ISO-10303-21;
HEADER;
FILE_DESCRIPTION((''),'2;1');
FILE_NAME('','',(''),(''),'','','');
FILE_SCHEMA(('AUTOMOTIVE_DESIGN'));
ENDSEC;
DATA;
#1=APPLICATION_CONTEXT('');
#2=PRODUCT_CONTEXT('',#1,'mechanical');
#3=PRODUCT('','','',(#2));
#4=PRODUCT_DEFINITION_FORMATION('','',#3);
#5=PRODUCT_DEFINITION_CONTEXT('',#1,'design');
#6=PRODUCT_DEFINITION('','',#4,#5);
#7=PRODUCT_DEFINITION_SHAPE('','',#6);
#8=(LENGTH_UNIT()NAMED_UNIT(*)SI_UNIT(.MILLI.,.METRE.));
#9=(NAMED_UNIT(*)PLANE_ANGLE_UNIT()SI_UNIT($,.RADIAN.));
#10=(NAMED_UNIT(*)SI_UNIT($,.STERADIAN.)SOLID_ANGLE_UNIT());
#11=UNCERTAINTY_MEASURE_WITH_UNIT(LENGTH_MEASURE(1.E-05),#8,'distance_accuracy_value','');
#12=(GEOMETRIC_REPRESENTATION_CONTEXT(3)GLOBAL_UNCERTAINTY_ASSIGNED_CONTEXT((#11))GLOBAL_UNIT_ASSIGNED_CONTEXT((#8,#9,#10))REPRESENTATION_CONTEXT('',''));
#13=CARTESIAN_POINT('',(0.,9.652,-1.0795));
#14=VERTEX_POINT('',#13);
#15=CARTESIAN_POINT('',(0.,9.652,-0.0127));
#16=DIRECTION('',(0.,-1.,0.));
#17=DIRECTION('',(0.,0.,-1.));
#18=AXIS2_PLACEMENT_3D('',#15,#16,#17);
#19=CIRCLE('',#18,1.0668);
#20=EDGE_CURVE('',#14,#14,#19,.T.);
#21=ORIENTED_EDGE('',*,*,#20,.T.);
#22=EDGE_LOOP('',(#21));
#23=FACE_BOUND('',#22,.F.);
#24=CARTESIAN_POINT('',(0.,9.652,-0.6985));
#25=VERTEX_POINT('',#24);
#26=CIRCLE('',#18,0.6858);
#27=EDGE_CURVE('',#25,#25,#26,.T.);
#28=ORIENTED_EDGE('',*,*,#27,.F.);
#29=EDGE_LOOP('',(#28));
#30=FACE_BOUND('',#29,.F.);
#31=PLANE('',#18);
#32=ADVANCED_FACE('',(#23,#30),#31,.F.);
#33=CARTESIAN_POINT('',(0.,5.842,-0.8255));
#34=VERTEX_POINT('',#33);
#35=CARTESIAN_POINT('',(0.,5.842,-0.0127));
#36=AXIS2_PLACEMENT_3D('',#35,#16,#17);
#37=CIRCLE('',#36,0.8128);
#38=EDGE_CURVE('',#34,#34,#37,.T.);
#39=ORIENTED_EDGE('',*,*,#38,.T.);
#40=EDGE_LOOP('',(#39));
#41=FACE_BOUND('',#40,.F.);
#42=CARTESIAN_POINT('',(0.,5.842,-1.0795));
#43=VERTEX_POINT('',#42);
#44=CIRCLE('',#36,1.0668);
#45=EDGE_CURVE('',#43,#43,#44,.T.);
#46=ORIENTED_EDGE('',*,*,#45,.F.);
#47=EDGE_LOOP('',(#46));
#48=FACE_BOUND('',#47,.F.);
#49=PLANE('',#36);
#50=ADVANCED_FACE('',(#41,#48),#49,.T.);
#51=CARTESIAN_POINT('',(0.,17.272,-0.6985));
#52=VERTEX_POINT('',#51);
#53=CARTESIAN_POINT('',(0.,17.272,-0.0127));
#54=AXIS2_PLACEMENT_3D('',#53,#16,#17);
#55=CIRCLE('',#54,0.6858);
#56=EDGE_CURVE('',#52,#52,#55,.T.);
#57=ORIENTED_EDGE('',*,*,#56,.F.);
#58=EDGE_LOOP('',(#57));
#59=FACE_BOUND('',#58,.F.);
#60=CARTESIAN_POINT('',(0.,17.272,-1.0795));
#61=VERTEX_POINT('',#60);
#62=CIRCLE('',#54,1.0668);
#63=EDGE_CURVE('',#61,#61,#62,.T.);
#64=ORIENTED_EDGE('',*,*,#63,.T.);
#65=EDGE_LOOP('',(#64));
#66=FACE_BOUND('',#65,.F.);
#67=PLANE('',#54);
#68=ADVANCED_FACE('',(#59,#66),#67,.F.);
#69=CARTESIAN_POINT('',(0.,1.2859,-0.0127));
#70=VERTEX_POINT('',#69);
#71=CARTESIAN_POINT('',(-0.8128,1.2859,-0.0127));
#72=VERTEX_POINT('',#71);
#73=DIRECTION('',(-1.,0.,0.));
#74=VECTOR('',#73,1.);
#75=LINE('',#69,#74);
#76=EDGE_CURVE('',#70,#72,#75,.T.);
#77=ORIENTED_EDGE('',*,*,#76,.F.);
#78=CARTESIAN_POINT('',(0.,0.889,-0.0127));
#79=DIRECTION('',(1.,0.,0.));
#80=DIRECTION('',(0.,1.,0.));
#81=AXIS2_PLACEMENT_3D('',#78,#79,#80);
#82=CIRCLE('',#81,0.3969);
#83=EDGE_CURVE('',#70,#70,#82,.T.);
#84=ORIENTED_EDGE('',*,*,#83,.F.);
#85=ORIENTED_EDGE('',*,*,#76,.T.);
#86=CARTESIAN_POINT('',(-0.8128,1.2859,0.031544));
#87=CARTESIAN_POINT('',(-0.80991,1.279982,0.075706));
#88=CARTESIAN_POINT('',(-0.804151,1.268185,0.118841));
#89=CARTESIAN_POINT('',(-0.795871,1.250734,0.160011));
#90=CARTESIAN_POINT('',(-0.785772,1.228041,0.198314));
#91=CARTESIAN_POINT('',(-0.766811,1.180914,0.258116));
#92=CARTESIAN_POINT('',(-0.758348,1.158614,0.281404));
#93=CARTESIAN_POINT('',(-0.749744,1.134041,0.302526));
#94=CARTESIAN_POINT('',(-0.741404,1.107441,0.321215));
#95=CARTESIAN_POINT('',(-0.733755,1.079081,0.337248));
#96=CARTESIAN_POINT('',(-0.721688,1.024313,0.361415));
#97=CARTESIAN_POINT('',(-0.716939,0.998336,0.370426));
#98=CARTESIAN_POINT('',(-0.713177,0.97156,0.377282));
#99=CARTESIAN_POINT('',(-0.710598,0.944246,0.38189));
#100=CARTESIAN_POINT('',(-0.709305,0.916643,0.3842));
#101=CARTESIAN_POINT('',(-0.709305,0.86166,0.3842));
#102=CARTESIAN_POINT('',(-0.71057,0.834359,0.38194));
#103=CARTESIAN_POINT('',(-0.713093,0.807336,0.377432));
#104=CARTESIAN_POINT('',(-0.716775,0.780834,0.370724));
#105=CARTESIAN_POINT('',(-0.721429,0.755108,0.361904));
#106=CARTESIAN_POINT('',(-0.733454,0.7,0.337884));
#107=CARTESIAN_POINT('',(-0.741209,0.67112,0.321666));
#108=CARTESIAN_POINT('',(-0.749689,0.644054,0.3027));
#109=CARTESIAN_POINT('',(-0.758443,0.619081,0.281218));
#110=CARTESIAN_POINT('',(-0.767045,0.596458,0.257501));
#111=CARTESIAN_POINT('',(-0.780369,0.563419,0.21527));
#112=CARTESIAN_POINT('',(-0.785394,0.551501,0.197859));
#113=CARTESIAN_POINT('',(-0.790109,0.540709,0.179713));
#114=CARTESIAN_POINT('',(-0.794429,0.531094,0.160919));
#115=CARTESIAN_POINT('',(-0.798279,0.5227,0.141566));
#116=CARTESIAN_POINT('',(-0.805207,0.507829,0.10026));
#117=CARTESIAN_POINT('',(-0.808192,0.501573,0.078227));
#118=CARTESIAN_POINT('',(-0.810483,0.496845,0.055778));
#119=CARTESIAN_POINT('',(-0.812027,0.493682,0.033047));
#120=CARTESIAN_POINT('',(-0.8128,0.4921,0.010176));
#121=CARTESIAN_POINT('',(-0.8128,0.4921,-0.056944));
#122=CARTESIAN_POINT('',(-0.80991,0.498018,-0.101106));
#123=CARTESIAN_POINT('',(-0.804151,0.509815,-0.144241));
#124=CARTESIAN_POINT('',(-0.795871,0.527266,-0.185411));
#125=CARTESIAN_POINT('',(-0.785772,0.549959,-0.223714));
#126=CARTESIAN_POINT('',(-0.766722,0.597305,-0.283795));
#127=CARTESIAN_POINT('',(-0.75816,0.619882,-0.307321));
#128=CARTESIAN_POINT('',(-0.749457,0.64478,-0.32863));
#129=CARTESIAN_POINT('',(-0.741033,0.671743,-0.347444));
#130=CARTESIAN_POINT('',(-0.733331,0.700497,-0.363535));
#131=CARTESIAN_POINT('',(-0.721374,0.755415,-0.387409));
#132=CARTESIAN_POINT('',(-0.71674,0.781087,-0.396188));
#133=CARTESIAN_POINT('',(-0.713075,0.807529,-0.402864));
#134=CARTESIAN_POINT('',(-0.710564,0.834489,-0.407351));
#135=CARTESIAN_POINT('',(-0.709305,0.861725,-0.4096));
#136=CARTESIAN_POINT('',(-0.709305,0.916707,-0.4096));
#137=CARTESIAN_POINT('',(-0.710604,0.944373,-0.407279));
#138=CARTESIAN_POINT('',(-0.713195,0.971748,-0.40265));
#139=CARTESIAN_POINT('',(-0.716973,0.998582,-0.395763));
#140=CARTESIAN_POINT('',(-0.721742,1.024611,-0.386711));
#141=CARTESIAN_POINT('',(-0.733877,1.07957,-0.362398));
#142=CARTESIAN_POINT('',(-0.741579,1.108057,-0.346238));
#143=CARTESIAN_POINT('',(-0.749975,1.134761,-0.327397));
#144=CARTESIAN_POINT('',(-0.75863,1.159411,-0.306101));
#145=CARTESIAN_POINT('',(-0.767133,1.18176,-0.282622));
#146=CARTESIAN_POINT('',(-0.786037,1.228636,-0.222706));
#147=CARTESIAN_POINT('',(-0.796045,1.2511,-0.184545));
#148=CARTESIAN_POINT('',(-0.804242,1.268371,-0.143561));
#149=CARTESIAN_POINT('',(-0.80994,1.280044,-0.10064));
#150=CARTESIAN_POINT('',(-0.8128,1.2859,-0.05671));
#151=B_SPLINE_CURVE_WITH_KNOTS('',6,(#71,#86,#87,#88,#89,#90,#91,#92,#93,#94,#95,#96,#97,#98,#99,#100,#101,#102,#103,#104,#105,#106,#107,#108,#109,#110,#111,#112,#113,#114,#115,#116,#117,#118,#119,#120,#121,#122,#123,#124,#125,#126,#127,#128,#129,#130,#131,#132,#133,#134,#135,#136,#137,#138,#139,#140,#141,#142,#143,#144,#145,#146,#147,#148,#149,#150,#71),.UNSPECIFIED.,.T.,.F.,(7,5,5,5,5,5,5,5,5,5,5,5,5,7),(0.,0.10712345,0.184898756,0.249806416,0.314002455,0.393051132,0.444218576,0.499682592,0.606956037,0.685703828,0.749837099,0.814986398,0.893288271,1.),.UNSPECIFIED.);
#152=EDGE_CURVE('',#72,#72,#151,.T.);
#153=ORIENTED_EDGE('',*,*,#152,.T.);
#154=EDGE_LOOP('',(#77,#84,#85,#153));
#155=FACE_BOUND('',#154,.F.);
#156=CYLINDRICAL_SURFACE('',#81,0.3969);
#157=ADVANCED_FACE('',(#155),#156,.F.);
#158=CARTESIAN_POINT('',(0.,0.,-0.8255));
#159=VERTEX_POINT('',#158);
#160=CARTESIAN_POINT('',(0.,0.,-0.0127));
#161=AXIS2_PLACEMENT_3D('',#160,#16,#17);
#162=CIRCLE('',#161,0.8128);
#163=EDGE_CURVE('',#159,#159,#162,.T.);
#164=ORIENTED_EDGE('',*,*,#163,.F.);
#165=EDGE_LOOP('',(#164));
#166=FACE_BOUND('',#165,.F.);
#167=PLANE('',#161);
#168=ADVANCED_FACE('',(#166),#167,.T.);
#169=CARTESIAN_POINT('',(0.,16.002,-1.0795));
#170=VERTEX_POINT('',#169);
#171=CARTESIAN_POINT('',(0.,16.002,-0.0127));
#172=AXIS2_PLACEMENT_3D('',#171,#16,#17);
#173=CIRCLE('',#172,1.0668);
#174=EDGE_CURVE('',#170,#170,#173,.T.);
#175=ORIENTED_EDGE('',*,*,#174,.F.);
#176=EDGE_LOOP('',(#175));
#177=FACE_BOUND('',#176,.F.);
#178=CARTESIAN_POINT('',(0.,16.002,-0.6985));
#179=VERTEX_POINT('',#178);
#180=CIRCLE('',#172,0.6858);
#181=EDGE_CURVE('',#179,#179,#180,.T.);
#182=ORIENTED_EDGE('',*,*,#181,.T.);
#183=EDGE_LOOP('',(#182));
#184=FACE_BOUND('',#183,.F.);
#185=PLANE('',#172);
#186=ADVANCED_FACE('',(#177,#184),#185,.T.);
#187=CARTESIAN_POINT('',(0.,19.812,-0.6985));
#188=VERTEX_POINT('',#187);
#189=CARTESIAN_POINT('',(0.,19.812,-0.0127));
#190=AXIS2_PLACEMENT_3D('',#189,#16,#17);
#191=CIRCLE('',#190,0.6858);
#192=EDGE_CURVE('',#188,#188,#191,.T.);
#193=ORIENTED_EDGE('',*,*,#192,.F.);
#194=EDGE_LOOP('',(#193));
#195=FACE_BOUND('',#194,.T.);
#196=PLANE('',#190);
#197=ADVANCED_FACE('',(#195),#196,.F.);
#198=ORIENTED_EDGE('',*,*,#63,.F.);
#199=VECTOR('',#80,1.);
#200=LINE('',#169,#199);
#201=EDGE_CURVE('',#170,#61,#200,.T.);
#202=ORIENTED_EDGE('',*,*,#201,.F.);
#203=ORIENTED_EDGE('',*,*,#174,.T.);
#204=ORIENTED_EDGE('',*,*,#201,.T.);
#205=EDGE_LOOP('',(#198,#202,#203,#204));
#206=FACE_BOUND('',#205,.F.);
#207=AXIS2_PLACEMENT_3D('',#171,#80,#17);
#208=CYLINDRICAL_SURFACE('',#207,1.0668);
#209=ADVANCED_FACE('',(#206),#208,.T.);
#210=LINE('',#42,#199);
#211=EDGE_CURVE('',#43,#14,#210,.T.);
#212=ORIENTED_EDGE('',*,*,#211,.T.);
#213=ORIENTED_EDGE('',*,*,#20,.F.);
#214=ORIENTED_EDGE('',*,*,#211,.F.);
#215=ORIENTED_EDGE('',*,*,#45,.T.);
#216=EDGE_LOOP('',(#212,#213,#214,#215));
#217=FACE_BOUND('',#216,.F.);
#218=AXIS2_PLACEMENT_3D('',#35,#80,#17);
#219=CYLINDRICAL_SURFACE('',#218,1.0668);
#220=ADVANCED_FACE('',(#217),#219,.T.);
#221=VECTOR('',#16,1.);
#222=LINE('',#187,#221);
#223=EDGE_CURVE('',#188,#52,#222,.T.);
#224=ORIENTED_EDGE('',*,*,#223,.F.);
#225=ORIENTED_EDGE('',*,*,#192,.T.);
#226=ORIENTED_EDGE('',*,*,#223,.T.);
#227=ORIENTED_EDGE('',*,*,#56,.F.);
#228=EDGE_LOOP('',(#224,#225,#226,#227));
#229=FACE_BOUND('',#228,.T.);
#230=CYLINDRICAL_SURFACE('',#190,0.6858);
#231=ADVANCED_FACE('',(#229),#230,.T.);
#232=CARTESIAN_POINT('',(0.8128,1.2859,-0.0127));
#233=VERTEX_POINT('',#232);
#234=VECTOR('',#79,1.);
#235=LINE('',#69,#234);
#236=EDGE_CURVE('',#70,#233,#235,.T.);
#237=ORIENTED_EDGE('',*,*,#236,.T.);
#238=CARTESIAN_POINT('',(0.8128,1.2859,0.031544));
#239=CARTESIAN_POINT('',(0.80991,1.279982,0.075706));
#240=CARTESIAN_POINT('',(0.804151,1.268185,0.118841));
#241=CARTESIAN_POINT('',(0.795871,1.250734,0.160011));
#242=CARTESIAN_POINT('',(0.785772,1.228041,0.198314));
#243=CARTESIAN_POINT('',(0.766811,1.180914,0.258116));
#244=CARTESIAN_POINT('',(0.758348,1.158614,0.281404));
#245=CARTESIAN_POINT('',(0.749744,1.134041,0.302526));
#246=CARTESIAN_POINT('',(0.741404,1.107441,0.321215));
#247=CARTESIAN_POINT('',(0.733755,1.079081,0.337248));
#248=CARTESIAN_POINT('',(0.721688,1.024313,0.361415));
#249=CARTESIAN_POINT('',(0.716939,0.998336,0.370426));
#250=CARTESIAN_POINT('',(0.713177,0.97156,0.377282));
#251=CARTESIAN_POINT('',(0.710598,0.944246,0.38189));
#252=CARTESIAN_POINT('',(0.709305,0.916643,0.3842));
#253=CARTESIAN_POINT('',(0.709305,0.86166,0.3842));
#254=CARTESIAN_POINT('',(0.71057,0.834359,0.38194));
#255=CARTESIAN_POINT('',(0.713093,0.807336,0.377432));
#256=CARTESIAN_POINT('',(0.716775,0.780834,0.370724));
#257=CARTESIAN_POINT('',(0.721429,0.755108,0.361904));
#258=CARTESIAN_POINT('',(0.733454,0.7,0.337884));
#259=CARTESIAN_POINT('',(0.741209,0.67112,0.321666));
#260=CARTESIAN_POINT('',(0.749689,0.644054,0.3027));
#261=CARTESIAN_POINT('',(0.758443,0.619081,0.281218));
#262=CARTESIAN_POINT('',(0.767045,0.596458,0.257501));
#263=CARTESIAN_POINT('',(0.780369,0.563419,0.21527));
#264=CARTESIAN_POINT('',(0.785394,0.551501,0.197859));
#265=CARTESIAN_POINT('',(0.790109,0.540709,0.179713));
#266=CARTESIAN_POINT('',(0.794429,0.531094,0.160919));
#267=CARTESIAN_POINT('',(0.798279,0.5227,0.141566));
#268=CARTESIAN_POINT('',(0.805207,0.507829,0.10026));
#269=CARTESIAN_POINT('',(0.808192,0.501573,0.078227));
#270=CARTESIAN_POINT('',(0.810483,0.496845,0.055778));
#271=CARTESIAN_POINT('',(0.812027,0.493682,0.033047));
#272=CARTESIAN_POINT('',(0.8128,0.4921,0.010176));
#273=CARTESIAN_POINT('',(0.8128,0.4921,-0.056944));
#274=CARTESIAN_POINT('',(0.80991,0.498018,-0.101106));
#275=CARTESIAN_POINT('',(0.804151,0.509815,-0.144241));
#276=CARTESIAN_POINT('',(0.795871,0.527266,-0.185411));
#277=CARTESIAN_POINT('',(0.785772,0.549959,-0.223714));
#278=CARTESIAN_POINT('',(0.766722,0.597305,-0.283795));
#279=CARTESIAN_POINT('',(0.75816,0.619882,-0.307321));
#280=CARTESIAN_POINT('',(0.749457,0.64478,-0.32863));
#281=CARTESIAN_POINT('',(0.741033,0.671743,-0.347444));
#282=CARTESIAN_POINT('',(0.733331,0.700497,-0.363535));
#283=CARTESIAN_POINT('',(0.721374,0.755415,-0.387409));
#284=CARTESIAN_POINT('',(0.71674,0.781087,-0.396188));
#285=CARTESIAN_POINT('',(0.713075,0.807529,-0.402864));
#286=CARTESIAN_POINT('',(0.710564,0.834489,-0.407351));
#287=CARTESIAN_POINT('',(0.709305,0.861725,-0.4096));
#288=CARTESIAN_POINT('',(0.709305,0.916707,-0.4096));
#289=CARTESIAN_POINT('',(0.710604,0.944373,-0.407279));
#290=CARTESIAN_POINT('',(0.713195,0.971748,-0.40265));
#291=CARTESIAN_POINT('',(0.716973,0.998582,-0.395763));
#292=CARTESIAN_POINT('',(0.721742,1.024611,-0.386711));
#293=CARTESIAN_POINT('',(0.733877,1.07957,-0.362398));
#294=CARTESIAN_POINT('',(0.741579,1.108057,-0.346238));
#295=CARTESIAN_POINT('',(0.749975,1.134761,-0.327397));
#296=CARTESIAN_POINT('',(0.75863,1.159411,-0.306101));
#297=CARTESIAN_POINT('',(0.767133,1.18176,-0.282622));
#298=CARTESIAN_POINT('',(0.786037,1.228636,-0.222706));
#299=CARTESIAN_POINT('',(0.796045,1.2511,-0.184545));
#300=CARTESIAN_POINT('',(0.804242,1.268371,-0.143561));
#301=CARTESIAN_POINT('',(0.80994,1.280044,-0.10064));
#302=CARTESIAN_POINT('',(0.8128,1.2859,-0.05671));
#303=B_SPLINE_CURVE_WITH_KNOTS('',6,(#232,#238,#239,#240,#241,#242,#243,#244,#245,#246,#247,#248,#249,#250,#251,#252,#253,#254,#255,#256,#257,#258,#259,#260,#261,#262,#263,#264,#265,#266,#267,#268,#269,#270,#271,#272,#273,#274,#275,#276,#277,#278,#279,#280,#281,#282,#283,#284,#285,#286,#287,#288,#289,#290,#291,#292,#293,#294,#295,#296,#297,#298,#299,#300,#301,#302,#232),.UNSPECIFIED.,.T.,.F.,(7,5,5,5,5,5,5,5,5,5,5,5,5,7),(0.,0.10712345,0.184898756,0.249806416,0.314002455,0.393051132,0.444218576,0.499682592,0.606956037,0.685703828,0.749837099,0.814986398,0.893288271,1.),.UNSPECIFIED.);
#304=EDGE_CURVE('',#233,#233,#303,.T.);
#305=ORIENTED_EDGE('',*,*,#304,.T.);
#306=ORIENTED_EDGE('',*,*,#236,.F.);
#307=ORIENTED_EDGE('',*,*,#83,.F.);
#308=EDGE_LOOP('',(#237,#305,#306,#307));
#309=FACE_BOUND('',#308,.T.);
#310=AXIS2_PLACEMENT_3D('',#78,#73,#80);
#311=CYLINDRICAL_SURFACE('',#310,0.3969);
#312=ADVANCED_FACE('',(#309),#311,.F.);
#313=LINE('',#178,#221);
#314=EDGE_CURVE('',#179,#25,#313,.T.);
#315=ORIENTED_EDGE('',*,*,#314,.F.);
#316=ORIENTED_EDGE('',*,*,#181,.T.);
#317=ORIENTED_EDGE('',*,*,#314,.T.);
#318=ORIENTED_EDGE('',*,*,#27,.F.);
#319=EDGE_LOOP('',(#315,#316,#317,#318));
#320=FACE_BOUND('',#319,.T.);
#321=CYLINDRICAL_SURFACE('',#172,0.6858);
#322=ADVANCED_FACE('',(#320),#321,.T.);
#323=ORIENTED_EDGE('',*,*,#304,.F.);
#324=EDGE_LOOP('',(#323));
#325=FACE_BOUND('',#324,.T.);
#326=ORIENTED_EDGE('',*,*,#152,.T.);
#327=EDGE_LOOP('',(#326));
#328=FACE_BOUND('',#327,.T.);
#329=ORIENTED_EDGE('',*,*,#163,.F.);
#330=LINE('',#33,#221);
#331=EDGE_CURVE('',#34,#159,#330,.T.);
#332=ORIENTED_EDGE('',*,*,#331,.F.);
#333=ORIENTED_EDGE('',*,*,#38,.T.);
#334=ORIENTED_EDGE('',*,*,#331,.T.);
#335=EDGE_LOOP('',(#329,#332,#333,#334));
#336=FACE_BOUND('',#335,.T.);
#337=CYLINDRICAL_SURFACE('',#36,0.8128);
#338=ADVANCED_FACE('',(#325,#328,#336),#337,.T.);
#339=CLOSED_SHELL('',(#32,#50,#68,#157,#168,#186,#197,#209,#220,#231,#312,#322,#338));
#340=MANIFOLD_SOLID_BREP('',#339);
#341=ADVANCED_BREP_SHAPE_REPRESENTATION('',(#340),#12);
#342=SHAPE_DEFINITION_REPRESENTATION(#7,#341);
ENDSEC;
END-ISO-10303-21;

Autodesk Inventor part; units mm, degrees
ref_plane "YZ Plane" through (0, 0, 0) normal (1, 0, 0) x (0, 1, 0)
ref_plane "XZ Plane" through (0, 0, 0) normal (0, 1, 0) x (-1, 0, 0)
ref_plane "XY Plane" through (0, 0, 0) normal (0, 0, 1) x (1, 0, 0)
sketch "Sketch1" plane through (0, 0, 0) normal (1, 0, 0) x (0, 1, 0)
  line L0 (19.812, -0.0127) -> (0, -0.0127)
  line L1 (5.842, -0.8255) -> (5.842, -1.0795)
  line L2 (0, -0.0127) -> (0, -0.8255)
  line L3 (5.842, -0.8255) -> (0, -0.8255)
  line L4 (5.842, -1.0795) -> (9.652, -1.0795)
  line L5 (5.842, -1.0795) -> (9.652, -1.0795)
  line L6 (16.002, -1.0795) -> (17.272, -1.0795)
  line L7 (9.652, -1.0795) -> (9.652, -0.6985)
  line L8 (19.812, -0.6985) -> (17.272, -0.6985)
  line L9 (16.002, -0.6985) -> (9.652, -0.6985)
  line L10 (17.272, -1.0795) -> (17.272, -0.6985)
  line L11 (16.002, -0.6985) -> (16.002, -1.0795)
  line L12 (19.812, -0.0127) -> (19.812, -0.6985)
  line L13 (16.637, -1.0795) -> (16.637, -0.0127)
  line L14 (16.637, -0.0127) -> (0.889, -0.0127)
  circle A0 centre (0.889, -0.0127) radius 0.3969
  dimension "d9" = 0.8128
  dimension "d10" = 1.0668
  dimension "d11" = 0.6858
  dimension "d12" = 1.0668
  dimension "d13" = 0.6858
  dimension "d14" = 1.27
  dimension "d15" = 6.35
  dimension "d16" = 3.81
  dimension "d17" = 5.842
  dimension "d18" = 2.54
  dimension "d20" = 15.748
  dimension "d21" = 0.7937
revolve "Revolution1" add sketch "Sketch1" angle 360 about axis through (0, 19.812, -0.0127) along (0, -1, 0) picked at (1.1498, -0.0444) contours L12 L8 L10 L6 L13 L0 | L13 L6 L11 L9 L7 L4 L1 L3 L2 L0 A0 | A0 L0
extrude "Extrusion1" cut sketch "Sketch1" along normal mid plane 25.4 contours A0 L0 | L0 A0
properties part number "Valve"
